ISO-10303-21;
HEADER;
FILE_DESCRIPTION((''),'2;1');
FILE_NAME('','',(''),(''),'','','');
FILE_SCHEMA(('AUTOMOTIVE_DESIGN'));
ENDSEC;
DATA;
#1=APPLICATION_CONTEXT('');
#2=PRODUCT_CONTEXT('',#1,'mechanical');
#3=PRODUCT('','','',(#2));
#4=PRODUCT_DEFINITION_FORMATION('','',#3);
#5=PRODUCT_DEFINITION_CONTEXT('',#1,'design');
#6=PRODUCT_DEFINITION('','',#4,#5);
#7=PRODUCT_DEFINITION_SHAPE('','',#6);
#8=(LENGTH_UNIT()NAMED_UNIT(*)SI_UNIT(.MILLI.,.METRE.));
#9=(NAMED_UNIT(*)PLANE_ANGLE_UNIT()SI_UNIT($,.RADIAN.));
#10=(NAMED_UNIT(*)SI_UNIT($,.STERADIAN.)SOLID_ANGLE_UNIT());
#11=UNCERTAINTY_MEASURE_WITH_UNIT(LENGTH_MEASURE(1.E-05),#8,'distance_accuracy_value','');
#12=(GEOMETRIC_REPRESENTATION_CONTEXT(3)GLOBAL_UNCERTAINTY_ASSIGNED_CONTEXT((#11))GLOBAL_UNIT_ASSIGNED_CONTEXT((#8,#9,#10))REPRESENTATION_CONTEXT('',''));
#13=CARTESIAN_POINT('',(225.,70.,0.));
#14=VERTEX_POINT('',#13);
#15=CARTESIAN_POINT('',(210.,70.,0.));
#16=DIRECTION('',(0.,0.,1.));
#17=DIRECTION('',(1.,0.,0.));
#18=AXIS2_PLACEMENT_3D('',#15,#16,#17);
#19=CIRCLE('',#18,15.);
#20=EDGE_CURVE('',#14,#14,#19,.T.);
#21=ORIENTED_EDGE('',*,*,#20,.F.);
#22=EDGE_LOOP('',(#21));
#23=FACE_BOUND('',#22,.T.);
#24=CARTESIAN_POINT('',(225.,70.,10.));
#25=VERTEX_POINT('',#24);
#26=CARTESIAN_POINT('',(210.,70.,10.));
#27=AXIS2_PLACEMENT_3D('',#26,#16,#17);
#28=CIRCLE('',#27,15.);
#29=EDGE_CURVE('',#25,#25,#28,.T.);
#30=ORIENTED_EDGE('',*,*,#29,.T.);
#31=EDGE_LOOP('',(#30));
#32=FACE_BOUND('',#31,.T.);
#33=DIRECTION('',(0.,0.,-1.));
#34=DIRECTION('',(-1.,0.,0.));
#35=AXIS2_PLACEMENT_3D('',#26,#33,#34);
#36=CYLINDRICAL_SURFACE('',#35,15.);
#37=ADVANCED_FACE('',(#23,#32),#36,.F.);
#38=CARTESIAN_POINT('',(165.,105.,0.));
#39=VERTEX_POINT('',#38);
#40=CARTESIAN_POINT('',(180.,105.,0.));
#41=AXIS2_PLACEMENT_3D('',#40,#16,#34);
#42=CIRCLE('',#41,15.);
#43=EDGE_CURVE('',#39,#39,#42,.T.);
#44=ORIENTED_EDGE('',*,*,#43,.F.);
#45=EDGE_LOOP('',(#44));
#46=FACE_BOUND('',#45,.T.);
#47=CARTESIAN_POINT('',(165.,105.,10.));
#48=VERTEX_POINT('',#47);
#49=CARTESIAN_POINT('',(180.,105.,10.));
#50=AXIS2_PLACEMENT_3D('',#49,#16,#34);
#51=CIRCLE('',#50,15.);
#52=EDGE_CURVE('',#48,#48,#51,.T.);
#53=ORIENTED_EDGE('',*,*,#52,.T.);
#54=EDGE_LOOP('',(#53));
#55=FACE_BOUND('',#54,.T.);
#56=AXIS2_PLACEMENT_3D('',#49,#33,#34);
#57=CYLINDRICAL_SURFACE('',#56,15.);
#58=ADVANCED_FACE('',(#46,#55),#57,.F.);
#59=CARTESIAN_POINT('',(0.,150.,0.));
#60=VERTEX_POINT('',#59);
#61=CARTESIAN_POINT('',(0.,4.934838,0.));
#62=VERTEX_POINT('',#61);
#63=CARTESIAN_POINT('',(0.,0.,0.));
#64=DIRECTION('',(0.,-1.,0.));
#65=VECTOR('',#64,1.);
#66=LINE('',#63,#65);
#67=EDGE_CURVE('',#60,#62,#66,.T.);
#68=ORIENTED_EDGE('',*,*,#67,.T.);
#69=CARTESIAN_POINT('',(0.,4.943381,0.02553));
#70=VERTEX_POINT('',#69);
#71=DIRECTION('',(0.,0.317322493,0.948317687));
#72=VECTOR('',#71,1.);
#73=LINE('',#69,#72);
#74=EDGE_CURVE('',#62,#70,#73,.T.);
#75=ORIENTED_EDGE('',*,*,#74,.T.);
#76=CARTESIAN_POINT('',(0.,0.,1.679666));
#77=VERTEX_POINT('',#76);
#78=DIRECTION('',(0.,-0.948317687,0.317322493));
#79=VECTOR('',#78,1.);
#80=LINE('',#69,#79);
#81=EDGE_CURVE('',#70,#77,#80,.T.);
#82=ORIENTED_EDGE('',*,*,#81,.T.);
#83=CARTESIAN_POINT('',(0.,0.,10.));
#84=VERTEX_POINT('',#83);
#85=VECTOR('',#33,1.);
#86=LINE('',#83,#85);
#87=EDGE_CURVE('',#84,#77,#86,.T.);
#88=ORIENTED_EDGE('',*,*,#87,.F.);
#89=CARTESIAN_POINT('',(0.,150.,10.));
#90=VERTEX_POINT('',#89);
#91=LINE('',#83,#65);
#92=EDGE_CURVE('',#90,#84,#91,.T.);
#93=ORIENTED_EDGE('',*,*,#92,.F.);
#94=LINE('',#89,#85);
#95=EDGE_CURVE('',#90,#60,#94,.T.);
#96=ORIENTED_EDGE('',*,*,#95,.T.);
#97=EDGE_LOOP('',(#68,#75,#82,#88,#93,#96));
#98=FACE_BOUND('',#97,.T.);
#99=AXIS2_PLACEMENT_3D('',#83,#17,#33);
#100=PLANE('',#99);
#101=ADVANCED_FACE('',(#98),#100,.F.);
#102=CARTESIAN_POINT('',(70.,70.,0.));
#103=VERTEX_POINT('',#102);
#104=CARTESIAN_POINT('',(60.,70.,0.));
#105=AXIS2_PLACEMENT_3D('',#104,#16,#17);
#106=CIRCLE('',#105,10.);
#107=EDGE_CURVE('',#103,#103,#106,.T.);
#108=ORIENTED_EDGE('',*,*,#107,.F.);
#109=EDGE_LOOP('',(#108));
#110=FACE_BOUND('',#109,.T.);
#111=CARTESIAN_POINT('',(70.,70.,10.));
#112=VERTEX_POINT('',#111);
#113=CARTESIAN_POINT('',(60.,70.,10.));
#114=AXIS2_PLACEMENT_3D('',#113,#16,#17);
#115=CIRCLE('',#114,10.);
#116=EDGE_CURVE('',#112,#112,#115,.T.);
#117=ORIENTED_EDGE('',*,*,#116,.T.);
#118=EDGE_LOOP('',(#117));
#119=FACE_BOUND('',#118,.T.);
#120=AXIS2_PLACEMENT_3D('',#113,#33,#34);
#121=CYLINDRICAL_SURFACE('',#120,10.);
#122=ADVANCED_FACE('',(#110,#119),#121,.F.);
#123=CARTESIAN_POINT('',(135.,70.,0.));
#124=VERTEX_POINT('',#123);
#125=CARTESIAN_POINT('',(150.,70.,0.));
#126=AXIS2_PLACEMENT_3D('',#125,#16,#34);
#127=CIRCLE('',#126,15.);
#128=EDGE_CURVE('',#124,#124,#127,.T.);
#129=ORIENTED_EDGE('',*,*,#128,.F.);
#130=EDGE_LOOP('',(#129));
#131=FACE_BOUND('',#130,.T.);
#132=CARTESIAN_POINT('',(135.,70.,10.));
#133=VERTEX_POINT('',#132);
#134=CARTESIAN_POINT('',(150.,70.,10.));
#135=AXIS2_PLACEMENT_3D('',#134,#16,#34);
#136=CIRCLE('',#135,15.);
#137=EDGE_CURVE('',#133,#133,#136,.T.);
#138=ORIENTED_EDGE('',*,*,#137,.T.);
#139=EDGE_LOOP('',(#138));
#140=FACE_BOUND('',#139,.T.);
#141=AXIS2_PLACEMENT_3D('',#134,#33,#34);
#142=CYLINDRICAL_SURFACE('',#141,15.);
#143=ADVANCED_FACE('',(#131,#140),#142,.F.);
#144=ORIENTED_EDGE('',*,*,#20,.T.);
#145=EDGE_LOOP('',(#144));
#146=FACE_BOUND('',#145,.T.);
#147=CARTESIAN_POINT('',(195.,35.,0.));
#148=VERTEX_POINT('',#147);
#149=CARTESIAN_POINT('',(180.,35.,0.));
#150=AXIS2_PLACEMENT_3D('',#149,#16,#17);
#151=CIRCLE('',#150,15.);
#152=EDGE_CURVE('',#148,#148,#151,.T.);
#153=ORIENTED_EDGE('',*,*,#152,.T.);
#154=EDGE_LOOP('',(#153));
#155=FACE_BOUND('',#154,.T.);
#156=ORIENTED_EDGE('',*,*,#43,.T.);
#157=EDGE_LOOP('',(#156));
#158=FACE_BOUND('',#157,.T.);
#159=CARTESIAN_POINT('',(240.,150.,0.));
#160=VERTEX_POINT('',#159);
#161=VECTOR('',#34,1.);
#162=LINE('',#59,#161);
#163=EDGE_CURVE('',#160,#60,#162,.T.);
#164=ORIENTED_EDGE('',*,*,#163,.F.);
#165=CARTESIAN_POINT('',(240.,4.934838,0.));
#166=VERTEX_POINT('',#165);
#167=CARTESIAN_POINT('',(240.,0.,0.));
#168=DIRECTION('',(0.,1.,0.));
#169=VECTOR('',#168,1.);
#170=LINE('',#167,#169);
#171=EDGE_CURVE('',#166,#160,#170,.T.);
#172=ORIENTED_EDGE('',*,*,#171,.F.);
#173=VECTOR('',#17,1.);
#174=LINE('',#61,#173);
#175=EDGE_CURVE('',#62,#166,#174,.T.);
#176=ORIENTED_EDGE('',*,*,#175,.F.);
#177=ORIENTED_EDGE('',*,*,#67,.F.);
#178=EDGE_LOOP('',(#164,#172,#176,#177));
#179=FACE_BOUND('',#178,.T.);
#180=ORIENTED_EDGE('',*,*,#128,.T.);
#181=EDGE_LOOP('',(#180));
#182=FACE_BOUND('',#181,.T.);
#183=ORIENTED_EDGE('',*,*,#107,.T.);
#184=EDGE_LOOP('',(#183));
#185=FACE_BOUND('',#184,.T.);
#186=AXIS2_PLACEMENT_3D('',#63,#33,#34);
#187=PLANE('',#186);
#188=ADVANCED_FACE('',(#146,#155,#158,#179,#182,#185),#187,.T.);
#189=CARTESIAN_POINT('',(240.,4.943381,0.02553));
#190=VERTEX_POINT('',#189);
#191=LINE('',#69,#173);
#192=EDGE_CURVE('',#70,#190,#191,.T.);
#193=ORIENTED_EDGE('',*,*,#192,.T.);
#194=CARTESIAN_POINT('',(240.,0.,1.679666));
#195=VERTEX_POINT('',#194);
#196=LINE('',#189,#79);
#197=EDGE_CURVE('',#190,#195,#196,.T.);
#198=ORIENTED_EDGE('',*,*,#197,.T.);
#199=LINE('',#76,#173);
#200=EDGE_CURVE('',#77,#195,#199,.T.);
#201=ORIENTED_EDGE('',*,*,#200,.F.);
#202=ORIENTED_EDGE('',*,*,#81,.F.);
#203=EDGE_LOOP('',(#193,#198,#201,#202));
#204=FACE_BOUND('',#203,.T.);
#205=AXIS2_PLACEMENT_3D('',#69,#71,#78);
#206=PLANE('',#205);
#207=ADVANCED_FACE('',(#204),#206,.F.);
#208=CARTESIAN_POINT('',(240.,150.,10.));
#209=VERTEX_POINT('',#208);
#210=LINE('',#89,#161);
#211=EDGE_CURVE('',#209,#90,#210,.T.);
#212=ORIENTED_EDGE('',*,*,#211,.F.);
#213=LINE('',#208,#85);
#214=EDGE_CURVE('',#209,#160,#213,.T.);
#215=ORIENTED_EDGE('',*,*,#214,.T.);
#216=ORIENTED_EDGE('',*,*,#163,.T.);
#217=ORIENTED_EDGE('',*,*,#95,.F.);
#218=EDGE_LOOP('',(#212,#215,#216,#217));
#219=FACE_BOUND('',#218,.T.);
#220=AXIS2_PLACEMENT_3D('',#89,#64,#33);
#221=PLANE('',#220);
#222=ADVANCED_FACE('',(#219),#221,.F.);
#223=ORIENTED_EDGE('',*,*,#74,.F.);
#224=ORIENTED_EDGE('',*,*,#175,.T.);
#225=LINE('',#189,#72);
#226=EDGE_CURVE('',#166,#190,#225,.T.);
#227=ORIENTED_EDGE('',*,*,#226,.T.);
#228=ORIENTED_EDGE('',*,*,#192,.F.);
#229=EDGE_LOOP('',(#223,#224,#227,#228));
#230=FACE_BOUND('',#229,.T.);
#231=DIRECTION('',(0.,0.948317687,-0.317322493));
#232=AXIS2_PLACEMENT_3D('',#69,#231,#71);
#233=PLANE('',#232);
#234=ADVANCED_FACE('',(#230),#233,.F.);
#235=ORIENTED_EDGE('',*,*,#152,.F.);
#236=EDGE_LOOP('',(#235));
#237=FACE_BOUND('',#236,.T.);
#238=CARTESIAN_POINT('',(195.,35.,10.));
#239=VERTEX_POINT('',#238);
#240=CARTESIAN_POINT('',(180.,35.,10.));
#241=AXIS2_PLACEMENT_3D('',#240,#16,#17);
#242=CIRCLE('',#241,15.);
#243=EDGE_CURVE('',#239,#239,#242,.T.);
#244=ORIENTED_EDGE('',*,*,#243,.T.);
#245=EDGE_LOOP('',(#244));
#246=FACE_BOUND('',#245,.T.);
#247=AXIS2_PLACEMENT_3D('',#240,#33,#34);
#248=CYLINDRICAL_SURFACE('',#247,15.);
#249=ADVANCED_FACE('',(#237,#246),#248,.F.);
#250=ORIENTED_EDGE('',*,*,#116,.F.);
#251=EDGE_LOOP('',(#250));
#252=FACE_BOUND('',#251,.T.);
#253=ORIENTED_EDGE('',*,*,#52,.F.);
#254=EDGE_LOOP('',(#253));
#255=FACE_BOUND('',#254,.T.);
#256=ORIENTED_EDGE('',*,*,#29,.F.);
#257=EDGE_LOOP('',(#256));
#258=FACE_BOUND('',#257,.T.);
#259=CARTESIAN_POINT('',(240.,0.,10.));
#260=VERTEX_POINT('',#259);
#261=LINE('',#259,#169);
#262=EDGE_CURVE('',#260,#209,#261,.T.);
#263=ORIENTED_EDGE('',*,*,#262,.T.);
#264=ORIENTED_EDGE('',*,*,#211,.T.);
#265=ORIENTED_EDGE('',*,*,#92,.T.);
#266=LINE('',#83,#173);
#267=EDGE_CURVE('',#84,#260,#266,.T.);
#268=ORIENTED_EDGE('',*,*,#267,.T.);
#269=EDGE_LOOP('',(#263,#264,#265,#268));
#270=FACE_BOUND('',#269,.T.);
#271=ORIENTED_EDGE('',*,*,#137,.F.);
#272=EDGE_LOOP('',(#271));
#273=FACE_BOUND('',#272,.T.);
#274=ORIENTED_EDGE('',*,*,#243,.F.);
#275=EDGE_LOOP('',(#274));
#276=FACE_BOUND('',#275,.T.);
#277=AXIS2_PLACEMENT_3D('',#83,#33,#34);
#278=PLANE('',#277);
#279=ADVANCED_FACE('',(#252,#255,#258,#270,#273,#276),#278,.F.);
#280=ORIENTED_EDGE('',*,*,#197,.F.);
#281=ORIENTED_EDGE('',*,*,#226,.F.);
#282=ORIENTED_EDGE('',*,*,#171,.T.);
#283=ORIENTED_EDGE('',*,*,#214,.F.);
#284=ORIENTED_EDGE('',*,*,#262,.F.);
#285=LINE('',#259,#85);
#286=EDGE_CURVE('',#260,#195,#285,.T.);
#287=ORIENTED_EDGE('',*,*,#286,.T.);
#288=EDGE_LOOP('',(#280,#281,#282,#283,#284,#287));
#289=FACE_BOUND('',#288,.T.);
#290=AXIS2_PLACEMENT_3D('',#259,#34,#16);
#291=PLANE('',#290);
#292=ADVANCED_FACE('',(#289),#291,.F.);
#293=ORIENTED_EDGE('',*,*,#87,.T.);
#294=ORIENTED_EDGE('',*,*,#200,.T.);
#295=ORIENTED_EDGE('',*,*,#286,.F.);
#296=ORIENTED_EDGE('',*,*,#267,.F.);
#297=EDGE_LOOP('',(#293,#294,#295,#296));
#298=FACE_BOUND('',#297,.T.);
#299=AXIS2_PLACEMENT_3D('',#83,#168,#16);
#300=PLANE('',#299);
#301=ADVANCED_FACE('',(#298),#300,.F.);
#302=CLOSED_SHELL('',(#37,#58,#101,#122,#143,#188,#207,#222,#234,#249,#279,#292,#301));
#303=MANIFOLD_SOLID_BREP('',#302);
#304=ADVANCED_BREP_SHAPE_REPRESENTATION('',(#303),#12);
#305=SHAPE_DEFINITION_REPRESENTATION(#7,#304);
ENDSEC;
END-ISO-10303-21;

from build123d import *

# Parameters (mm, degrees)
CROQUIS2_W              = 240
CROQUIS2_H              = 150
CROQUIS2_R              = 10
CROQUIS2_R_2            = 15
SALIENTE_EXTRUIR2_DEPTH = 10
CORTAR_EXTRUIR1_DEPTH   = 240
CORTAR_EXTRUIR2_DEPTH   = 240


with BuildPart() as part:
    # Croquis2 → Saliente-Extruir2 (new body)
    with BuildSketch(Plane.XY):
        with Locations((120, 75)):
            Rectangle(CROQUIS2_W, CROQUIS2_H)
        with Locations((60, 70)):
            Circle(CROQUIS2_R, mode=Mode.SUBTRACT)
        with Locations((180, 35)):
            Circle(CROQUIS2_R_2, mode=Mode.SUBTRACT)
        with Locations((210, 70)):
            Circle(CROQUIS2_R_2, mode=Mode.SUBTRACT)
        with Locations(Location((150, 70, 0), (0, 0, 180))):
            Circle(CROQUIS2_R_2, mode=Mode.SUBTRACT)
        with Locations(Location((180, 105, 0), (0, 0, 180))):
            Circle(CROQUIS2_R_2, mode=Mode.SUBTRACT)
    extrude(amount=SALIENTE_EXTRUIR2_DEPTH)

    # Croquis4 → Cortar-Extruir1 (cut)
    with BuildSketch(Plane(origin=(240, 0, 0), x_dir=(0, 0, -1), z_dir=(1, 0, 0))):
        Polygon((-0.025530109, 4.943381022), (-1.679665648, 0), (0, 0), align=None)
    extrude(amount=-CORTAR_EXTRUIR1_DEPTH, mode=Mode.SUBTRACT)

    # Croquis6 → Cortar-Extruir2 (cut)
    with BuildSketch(Plane(origin=(240, 0, 0), x_dir=(0, 0, -1), z_dir=(1, 0, 0))):
        Polygon((-0.025530109, 4.943381022), (0, 4.934838233), (0, -0.070345502), (-0.012765054, -0.070345502), align=None)
    extrude(amount=-CORTAR_EXTRUIR2_DEPTH, mode=Mode.SUBTRACT)


solid = part.part
